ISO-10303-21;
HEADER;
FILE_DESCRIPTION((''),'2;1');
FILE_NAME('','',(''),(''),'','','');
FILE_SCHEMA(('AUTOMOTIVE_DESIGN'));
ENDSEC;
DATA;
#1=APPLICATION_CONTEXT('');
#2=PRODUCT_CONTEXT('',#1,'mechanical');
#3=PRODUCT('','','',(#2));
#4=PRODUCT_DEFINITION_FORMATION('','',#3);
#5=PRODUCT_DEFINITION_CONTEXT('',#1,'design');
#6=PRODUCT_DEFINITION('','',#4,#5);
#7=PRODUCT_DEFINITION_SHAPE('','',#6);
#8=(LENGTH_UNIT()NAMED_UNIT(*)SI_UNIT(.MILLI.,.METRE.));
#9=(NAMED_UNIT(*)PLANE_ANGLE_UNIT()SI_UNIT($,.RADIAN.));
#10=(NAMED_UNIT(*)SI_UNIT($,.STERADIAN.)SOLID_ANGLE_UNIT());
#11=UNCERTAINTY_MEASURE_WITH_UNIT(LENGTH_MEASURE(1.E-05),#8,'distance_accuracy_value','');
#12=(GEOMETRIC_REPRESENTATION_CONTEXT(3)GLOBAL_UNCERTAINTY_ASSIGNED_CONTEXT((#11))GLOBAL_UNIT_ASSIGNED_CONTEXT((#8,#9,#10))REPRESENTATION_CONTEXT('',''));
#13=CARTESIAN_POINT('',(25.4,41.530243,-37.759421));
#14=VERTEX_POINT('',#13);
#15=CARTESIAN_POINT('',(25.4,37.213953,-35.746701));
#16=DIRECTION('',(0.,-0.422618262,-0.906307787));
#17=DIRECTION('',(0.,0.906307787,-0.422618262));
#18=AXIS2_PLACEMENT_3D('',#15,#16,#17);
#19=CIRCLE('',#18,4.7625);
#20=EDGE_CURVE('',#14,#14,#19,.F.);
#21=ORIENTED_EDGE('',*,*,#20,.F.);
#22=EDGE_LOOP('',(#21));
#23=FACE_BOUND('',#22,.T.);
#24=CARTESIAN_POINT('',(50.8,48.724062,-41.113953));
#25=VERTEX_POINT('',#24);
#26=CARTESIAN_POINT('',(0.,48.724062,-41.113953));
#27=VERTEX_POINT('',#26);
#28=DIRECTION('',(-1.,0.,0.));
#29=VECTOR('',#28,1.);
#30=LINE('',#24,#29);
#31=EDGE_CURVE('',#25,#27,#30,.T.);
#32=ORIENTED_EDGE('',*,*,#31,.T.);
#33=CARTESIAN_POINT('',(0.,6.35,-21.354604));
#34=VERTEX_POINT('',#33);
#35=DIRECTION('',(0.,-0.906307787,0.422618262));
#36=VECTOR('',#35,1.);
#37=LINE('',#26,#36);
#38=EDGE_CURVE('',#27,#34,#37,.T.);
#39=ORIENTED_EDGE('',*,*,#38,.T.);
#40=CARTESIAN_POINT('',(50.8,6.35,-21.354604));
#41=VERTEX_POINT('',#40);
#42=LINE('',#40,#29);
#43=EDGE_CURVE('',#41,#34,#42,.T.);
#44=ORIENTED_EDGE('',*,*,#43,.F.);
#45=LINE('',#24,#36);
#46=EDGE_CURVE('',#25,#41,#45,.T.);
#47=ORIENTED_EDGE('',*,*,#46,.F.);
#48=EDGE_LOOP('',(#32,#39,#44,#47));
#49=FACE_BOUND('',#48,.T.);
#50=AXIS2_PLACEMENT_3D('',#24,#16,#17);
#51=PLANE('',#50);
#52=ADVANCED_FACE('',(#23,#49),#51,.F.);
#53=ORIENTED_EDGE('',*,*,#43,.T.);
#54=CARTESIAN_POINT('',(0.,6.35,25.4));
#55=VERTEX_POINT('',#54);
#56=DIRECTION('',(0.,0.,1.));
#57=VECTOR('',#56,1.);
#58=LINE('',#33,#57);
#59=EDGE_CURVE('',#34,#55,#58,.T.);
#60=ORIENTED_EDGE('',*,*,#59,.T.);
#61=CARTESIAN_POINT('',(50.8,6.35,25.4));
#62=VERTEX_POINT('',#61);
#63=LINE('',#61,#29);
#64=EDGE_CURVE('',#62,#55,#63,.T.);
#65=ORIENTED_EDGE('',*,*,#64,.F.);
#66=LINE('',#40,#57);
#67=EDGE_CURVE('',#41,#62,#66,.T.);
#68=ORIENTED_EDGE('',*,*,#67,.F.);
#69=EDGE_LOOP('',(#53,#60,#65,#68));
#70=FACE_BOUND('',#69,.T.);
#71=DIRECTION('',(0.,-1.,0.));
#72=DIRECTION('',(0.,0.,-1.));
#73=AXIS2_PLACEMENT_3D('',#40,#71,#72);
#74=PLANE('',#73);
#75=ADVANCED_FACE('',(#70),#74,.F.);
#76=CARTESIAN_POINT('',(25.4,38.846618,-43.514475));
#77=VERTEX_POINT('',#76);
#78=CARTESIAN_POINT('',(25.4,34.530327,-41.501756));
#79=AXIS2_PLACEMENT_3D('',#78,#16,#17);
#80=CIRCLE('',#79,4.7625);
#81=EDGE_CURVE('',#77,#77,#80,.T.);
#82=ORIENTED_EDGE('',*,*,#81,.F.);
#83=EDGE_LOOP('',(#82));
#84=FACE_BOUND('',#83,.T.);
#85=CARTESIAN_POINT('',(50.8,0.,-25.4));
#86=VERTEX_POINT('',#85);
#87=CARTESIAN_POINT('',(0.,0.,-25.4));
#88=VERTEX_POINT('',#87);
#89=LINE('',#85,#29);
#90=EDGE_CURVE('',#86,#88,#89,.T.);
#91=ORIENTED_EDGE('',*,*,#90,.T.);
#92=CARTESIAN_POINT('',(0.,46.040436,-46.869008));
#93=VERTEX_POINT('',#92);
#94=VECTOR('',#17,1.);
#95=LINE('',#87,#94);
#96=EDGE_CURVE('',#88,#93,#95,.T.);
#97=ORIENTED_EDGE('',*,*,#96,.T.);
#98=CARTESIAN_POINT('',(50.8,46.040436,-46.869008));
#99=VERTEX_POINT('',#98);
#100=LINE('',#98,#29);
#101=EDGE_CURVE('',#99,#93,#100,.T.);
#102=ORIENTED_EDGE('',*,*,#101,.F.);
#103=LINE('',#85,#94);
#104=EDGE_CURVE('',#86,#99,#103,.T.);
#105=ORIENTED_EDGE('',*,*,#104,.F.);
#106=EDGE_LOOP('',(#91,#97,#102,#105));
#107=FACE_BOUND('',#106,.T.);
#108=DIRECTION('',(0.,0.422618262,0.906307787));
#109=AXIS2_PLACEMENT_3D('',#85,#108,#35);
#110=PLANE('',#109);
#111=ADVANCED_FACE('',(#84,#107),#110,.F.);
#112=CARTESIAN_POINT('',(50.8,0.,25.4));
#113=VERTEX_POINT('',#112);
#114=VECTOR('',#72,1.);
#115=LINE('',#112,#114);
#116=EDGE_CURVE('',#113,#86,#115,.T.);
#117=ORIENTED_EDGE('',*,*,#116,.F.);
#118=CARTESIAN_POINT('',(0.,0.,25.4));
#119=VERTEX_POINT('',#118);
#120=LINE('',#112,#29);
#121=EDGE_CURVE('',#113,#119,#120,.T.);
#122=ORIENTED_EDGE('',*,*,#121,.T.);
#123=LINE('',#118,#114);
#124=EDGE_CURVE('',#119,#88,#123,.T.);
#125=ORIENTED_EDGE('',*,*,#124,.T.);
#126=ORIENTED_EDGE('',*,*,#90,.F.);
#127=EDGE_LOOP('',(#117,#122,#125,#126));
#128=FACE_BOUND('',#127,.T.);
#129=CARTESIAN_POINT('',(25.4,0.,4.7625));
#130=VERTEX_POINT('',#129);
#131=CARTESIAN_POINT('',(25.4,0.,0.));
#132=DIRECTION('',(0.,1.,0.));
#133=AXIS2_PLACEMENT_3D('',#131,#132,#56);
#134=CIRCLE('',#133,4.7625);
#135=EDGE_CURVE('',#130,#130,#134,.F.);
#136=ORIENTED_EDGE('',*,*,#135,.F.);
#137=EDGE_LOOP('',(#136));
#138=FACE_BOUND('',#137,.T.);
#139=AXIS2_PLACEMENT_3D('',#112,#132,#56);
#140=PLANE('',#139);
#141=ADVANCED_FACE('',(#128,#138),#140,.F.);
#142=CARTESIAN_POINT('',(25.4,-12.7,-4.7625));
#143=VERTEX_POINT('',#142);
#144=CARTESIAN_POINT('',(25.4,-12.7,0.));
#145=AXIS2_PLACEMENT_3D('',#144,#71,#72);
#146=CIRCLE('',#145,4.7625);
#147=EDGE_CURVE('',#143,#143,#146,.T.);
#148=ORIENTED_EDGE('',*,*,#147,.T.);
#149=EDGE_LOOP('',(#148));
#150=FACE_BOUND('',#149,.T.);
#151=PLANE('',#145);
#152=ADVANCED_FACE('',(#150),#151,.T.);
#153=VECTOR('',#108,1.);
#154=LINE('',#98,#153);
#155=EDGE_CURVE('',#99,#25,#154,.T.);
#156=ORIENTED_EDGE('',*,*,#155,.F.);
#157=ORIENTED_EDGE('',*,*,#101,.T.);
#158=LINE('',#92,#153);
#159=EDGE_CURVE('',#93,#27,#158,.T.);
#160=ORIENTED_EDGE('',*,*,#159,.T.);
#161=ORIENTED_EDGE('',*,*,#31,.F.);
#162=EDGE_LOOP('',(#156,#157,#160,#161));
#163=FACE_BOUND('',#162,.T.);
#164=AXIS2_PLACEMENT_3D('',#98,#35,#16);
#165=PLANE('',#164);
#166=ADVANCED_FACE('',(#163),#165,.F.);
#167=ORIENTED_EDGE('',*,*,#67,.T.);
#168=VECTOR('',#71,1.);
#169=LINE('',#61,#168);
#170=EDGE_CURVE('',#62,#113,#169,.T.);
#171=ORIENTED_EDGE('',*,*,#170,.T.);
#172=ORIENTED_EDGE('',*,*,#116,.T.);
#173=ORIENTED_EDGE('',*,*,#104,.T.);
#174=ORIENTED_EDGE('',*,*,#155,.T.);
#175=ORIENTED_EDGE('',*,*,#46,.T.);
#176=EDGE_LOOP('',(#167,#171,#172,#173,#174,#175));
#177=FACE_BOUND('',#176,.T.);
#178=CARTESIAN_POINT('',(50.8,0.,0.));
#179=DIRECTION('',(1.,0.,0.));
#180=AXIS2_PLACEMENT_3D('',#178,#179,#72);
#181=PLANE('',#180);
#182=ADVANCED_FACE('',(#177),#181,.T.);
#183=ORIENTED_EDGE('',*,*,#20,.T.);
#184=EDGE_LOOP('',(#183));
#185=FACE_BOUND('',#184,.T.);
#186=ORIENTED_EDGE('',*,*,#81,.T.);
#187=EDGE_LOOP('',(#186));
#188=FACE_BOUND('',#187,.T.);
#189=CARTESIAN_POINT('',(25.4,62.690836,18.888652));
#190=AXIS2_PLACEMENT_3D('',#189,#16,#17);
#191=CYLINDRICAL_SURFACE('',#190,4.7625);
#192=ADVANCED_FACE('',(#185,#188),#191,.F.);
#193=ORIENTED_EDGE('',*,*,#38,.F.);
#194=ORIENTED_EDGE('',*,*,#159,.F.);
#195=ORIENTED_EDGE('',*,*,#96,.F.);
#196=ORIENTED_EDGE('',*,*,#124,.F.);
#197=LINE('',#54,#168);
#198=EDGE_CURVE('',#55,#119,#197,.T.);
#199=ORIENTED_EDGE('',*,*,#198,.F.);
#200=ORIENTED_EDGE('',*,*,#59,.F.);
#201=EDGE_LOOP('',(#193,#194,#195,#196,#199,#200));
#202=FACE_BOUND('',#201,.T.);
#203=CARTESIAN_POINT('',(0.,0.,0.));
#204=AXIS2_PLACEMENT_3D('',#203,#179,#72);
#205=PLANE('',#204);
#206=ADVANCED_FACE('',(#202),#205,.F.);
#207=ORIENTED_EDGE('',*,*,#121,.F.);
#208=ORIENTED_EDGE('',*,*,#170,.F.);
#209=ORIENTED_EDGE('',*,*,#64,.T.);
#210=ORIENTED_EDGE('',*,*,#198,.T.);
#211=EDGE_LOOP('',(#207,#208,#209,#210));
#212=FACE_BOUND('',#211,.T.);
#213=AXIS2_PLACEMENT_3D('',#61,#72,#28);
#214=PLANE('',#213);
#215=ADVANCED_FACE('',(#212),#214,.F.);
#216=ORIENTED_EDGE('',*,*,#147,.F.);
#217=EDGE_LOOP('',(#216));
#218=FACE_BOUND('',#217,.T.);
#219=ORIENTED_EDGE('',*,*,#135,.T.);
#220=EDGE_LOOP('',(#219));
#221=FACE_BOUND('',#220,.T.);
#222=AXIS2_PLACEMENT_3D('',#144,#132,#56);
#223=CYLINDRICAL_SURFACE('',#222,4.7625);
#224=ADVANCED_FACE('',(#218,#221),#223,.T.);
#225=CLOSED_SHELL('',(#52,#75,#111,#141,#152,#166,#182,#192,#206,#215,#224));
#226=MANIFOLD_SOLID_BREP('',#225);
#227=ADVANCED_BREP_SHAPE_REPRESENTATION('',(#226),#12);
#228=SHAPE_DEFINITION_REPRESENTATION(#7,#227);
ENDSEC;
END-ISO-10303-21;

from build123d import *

# Parameters (mm, degrees)
BOSS_EXTRUDE2_DEPTH = 50.8
CUT_EXTRUDE1_REACH  = 68.632
SKETCH3_R           = 4.7625
SKETCH4_R           = 4.7625
BOSS_EXTRUDE3_DEPTH = 12.7


with BuildPart() as part:
    # Sketch2 → Boss-Extrude2 (new body)
    with BuildSketch(Plane(origin=(0, 0, 0), x_dir=(0, 0, -1), z_dir=(1, 0, 0))):
        Polygon((-25.4, 0), (25.4, 0), (46.869007696, 46.040435581), (41.113953249, 48.724061544), (21.354603844, 6.35), (-25.4, 6.35), align=None)
    extrude(amount=BOSS_EXTRUDE2_DEPTH)

    # Sketch3 → Cut-Extrude1 (cut, up to next)
    with BuildSketch(Plane(origin=(0, -9.728764428, -20.863402643), x_dir=(1, 0, 0), z_dir=(0, -0.422618262, -0.906307787)), mode=Mode.PRIVATE) as cut_extrude1_sk1:
        with Locations((25.4, -48.834503848)):
            Circle(SKETCH3_R)
    cut_extrude1_tool1 = extrude(cut_extrude1_sk1.sketch, amount=-CUT_EXTRUDE1_REACH, mode=Mode.PRIVATE) & part.part
    add(cut_extrude1_tool1.solids().sort_by_distance((25.4, 34.530327, -41.501756))[0], mode=Mode.SUBTRACT)

    # Sketch4 → Boss-Extrude3 (add)
    with BuildSketch(Plane.XZ):
        with Locations((25.4, 0)):
            Circle(SKETCH4_R)
    extrude(amount=BOSS_EXTRUDE3_DEPTH)


solid = part.part
